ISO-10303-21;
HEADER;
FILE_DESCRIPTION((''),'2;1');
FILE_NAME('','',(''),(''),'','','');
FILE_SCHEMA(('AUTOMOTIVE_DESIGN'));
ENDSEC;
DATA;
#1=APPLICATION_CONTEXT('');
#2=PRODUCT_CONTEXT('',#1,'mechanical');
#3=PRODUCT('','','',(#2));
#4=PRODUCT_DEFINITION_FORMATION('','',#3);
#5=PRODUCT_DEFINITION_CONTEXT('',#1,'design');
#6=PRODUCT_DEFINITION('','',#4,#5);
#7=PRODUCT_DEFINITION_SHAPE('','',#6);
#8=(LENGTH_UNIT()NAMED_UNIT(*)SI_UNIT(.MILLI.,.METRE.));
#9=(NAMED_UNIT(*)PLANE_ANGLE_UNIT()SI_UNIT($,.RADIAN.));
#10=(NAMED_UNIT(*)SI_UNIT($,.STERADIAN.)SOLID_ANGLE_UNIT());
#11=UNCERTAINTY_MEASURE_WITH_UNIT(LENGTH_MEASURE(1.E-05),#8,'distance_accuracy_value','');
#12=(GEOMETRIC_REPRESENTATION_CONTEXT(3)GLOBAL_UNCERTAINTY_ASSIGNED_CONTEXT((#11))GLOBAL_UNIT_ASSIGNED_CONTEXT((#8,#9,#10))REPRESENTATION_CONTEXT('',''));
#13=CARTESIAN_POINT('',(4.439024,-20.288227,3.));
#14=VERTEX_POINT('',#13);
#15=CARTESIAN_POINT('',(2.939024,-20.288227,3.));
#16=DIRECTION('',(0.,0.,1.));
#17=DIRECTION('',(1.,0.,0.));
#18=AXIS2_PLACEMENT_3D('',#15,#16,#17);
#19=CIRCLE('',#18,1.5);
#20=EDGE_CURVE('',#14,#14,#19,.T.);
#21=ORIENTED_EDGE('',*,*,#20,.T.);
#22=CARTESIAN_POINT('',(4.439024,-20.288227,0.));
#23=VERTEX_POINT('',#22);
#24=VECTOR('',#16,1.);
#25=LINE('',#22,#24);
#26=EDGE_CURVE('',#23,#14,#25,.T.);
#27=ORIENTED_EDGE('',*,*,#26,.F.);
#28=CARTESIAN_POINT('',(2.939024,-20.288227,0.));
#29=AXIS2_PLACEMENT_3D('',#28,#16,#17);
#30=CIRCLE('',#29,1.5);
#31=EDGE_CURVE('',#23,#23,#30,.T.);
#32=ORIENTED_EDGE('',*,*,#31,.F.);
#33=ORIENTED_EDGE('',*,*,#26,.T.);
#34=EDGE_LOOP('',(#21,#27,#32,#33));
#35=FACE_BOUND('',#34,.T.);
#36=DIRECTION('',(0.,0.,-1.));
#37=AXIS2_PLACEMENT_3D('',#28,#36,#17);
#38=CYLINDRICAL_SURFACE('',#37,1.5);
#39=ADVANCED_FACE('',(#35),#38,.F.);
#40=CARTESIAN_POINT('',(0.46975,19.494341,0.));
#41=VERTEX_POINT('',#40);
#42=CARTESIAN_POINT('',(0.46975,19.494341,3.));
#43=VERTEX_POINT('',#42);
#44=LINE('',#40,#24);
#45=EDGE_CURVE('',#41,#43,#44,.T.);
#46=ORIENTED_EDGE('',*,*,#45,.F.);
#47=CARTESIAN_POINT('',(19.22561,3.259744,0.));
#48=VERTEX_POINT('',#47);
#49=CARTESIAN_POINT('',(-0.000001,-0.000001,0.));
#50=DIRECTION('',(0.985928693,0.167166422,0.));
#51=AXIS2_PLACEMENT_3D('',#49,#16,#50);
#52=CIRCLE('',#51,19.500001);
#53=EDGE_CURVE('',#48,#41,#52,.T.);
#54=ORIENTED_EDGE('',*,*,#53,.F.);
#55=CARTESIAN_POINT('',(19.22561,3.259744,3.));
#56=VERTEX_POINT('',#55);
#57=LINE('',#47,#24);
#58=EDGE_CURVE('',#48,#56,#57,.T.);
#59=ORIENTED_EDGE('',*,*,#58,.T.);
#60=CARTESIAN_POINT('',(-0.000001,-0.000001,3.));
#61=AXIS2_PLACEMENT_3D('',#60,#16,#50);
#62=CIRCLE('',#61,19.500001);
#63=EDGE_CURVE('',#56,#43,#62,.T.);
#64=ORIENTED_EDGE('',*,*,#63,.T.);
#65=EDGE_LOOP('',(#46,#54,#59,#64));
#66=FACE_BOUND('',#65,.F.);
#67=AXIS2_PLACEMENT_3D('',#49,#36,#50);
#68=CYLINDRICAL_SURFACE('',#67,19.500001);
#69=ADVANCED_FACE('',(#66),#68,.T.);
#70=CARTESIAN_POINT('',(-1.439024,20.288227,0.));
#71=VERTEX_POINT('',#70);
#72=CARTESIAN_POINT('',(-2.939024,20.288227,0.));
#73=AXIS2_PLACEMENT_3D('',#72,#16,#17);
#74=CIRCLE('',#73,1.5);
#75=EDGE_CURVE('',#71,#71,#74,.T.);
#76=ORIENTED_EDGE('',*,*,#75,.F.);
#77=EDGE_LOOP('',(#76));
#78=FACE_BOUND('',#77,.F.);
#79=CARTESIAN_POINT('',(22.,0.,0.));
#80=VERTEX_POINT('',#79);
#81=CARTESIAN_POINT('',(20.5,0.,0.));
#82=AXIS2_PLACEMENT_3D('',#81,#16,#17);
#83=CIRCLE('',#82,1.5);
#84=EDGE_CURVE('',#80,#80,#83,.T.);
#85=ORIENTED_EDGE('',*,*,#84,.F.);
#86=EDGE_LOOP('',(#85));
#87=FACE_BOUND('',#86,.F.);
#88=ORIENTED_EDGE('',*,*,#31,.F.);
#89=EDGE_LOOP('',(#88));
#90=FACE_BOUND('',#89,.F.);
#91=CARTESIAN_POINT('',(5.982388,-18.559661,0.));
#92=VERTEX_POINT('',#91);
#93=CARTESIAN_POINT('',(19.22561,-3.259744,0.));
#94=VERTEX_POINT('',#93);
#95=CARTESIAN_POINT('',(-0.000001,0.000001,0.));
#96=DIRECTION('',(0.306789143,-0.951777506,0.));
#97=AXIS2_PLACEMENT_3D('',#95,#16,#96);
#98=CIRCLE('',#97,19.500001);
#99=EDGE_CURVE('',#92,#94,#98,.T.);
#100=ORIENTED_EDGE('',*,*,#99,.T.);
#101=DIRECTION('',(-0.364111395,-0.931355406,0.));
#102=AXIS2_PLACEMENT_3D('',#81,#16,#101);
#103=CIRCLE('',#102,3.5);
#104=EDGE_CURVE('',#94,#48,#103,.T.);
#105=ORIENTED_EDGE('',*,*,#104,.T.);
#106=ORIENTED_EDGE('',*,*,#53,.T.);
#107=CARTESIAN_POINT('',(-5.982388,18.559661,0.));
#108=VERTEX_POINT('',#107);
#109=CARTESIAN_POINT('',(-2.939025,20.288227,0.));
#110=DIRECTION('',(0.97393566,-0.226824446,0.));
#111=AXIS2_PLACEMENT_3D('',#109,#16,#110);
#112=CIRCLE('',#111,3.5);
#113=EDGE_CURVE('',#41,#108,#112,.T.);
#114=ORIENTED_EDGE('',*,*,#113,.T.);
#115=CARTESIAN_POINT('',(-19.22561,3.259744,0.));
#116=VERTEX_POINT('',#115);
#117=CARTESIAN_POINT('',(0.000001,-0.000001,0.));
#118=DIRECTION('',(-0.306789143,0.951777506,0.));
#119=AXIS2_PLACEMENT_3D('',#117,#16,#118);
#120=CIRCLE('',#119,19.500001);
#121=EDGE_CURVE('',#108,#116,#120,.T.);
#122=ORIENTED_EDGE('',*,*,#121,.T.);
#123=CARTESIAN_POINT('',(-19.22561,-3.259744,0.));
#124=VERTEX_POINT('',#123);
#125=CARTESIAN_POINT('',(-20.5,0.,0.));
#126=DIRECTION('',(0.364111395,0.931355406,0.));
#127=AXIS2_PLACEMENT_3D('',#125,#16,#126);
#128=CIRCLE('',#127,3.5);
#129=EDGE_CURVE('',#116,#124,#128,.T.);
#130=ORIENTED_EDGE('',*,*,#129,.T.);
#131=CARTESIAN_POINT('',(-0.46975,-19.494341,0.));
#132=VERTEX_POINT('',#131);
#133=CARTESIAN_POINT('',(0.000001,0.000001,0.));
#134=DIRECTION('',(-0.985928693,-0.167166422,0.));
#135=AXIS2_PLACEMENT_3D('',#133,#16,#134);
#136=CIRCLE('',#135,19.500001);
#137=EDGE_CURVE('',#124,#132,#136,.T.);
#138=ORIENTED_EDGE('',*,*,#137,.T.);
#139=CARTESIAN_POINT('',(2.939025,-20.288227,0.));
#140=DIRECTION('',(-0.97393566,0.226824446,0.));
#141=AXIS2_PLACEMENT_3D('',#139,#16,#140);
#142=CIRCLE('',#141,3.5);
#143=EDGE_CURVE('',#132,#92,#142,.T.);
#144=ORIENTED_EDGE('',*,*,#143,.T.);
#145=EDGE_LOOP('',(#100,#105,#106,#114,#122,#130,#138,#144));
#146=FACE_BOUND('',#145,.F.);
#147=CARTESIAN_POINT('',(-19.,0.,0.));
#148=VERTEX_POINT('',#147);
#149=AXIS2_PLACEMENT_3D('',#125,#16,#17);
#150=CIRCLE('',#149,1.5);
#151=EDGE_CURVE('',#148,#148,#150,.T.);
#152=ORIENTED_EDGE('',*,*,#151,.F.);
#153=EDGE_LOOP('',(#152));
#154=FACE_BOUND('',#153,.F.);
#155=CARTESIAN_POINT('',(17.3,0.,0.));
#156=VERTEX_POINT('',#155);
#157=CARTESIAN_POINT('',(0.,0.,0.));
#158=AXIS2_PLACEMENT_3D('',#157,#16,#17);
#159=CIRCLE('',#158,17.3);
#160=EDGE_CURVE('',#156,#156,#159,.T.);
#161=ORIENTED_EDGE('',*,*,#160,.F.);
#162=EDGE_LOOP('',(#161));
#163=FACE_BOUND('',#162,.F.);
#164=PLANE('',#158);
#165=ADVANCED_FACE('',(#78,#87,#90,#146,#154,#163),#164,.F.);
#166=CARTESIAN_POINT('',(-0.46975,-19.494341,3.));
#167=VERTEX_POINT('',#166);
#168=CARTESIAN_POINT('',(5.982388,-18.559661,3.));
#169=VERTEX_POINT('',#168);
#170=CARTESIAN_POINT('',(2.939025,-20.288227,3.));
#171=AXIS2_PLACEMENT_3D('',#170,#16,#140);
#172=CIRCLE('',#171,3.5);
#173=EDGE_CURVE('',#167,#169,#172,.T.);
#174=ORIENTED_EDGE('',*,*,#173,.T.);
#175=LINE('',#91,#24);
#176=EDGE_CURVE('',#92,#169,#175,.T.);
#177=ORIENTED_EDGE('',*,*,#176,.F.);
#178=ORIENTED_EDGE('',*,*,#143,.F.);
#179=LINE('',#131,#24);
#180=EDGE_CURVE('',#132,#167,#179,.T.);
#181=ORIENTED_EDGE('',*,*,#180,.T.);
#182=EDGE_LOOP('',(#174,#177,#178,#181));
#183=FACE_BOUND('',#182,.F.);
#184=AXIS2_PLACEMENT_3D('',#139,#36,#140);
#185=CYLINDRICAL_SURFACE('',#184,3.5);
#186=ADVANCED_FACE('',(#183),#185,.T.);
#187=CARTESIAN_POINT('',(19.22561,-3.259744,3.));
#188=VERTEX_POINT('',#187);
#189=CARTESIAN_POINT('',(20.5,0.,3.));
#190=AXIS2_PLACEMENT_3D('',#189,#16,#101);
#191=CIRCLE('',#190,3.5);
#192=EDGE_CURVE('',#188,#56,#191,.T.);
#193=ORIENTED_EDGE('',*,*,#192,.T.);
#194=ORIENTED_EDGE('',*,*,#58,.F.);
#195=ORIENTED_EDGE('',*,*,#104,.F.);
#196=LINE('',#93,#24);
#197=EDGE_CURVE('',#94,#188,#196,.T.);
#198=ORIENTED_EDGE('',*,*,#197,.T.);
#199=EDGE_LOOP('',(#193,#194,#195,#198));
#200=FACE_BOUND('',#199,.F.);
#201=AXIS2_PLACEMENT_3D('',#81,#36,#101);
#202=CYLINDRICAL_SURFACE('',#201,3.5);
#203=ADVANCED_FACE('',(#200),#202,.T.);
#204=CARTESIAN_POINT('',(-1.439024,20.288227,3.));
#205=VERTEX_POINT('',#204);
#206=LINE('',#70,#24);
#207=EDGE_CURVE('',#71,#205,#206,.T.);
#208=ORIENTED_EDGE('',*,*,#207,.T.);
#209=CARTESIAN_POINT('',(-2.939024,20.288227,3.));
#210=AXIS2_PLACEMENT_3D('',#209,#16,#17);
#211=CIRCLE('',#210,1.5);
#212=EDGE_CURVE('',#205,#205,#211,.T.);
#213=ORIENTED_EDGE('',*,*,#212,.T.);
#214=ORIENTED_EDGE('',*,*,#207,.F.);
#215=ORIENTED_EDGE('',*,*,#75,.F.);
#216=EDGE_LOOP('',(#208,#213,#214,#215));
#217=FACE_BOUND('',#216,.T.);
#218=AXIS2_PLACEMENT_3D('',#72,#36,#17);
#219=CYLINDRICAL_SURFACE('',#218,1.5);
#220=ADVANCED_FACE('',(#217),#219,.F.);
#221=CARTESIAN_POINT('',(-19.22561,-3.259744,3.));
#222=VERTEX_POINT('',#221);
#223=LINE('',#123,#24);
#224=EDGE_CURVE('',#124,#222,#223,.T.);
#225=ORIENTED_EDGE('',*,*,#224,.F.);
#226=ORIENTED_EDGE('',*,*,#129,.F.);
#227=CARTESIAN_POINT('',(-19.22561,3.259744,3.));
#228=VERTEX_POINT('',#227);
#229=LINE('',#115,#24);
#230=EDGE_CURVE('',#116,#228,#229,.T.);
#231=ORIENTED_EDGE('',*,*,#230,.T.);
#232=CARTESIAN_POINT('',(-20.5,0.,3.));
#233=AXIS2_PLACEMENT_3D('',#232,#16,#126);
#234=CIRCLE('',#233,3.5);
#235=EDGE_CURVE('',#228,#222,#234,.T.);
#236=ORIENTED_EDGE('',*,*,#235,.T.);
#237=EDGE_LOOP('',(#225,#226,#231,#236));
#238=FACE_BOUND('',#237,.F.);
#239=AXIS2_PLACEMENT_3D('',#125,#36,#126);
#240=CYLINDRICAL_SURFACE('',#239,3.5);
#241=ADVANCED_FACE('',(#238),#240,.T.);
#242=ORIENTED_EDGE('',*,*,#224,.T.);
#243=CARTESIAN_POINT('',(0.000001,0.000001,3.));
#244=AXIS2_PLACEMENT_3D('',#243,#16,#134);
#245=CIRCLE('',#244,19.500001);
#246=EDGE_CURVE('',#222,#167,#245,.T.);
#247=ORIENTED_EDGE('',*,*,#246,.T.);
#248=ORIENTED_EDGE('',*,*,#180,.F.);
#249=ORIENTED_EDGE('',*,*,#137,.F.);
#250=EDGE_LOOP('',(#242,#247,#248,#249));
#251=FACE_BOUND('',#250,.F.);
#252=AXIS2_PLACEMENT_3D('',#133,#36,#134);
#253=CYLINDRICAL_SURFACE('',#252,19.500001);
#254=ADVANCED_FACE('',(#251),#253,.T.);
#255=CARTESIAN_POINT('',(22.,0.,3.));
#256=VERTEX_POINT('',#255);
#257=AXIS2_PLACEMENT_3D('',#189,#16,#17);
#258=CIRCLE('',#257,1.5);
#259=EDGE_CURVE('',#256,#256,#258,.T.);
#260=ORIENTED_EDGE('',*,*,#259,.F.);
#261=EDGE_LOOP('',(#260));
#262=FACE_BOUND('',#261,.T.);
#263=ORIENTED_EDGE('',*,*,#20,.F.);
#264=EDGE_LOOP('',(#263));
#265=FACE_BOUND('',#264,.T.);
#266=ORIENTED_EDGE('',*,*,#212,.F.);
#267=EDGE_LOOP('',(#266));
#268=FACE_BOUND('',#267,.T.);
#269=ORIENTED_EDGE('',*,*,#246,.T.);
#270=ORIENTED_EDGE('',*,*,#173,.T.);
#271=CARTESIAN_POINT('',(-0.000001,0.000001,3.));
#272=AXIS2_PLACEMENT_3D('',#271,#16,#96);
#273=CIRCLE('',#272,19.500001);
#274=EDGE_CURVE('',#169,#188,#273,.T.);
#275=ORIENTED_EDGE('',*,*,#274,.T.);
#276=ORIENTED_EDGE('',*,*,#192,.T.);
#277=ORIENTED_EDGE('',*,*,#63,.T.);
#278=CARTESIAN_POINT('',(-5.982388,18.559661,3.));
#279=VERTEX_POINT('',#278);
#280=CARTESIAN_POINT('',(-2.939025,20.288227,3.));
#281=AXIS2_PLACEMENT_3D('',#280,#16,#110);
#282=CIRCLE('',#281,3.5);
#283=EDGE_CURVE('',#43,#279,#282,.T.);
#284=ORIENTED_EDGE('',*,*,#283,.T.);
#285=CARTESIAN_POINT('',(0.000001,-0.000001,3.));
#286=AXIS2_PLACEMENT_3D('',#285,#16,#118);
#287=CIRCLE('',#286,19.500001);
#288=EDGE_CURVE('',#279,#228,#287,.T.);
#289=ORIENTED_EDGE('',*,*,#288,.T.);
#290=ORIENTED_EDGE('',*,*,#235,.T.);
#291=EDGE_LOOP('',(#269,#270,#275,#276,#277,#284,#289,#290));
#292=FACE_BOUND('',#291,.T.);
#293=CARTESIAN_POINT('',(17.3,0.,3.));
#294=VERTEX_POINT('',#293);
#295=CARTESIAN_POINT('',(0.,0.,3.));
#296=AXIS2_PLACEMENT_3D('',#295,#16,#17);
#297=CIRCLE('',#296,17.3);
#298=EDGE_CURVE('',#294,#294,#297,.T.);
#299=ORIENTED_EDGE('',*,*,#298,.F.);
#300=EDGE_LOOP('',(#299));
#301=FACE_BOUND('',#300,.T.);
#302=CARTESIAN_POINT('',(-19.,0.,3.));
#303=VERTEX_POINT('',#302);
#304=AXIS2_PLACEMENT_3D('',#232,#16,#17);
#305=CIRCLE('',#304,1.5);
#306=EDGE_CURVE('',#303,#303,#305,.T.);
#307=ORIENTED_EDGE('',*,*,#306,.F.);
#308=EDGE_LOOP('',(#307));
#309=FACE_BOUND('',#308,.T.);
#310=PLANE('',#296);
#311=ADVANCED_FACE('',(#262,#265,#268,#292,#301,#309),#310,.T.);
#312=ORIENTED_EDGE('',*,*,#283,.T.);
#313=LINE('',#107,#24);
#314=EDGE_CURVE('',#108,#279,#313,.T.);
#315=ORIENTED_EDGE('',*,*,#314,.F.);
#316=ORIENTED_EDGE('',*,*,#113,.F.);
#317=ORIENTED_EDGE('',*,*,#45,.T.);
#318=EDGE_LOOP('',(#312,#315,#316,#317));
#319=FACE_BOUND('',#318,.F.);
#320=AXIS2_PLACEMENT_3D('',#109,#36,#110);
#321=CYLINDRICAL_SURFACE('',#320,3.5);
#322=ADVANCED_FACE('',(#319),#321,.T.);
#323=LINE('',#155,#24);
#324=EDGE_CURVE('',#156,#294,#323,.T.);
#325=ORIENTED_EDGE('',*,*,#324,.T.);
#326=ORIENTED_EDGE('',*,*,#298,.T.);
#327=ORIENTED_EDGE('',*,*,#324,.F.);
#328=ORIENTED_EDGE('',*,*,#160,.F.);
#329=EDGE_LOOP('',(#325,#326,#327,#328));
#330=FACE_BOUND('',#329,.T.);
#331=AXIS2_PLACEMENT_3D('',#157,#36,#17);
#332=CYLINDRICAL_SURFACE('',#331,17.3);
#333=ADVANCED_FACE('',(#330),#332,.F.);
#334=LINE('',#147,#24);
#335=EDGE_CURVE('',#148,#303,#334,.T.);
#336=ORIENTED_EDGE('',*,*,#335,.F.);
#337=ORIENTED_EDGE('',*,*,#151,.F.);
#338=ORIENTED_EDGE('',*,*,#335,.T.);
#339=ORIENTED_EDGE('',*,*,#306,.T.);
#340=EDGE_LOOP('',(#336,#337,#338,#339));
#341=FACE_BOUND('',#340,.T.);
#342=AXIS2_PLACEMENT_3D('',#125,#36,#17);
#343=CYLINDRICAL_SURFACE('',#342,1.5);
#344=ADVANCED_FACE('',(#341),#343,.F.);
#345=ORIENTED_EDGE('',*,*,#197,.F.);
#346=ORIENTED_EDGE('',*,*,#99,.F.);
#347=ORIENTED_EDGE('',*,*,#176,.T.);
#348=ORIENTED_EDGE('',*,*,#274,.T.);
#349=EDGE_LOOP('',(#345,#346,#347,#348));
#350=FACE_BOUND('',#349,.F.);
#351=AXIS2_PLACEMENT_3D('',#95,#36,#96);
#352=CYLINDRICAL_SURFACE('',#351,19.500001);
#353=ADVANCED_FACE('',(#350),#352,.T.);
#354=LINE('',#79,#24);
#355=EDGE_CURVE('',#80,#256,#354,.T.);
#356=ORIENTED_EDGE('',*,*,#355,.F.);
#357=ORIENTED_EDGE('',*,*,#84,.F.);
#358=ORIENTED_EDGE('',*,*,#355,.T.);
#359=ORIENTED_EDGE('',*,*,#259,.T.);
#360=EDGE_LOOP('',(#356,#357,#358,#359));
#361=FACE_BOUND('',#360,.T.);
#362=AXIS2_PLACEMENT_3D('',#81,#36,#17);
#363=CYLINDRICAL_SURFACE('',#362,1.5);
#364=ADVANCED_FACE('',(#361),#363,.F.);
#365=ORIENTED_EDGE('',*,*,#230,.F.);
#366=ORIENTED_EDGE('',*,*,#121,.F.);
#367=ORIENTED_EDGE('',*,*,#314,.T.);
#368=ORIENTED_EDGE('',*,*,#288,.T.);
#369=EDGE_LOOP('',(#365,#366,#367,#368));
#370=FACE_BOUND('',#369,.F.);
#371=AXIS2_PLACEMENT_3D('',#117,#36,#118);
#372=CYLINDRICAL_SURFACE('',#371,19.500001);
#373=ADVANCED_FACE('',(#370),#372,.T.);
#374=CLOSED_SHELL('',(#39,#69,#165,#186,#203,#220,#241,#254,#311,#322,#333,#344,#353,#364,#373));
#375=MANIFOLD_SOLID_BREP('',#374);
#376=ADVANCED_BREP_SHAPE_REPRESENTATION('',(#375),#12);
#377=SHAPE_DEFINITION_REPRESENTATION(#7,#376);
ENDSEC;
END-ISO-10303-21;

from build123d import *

# Parameters (mm, degrees)
SKETCH_R   = 17.3
SKETCH_R_2 = 1.5
PAD_DEPTH  = 3


with BuildPart() as part:
    # Sketch → Pad (new body)
    with BuildSketch(Plane.XY):
        with BuildLine():
            ThreePointArc((19.22561, 3.259744), (12.761949, 14.743902), (0.46975, 19.494341))
            ThreePointArc((0.46975, 19.494341), (-3.440809, 23.75207), (-5.982388, 18.559661))
            ThreePointArc((-5.982388, 18.559661), (-14.743902, 12.761949), (-19.22561, 3.259744))
            ThreePointArc((-19.22561, 3.259744), (-24, 0), (-19.22561, -3.259744))
            ThreePointArc((-19.22561, -3.259744), (-12.761949, -14.743902), (-0.46975, -19.494341))
            ThreePointArc((-0.46975, -19.494341), (3.440809, -23.75207), (5.982388, -18.559661))
            ThreePointArc((5.982388, -18.559661), (14.743902, -12.761949), (19.22561, -3.259744))
            ThreePointArc((19.22561, -3.259744), (24, 0), (19.22561, 3.259744))
        make_face()
        Circle(SKETCH_R, mode=Mode.SUBTRACT)
        with Locations((20.5, 0)):
            Circle(SKETCH_R_2, mode=Mode.SUBTRACT)
        with Locations((-20.5, 0)):
            Circle(SKETCH_R_2, mode=Mode.SUBTRACT)
        with Locations((-2.939024, 20.288227)):
            Circle(SKETCH_R_2, mode=Mode.SUBTRACT)
        with Locations((2.939024, -20.288227)):
            Circle(SKETCH_R_2, mode=Mode.SUBTRACT)
    extrude(amount=PAD_DEPTH)


solid = part.part
